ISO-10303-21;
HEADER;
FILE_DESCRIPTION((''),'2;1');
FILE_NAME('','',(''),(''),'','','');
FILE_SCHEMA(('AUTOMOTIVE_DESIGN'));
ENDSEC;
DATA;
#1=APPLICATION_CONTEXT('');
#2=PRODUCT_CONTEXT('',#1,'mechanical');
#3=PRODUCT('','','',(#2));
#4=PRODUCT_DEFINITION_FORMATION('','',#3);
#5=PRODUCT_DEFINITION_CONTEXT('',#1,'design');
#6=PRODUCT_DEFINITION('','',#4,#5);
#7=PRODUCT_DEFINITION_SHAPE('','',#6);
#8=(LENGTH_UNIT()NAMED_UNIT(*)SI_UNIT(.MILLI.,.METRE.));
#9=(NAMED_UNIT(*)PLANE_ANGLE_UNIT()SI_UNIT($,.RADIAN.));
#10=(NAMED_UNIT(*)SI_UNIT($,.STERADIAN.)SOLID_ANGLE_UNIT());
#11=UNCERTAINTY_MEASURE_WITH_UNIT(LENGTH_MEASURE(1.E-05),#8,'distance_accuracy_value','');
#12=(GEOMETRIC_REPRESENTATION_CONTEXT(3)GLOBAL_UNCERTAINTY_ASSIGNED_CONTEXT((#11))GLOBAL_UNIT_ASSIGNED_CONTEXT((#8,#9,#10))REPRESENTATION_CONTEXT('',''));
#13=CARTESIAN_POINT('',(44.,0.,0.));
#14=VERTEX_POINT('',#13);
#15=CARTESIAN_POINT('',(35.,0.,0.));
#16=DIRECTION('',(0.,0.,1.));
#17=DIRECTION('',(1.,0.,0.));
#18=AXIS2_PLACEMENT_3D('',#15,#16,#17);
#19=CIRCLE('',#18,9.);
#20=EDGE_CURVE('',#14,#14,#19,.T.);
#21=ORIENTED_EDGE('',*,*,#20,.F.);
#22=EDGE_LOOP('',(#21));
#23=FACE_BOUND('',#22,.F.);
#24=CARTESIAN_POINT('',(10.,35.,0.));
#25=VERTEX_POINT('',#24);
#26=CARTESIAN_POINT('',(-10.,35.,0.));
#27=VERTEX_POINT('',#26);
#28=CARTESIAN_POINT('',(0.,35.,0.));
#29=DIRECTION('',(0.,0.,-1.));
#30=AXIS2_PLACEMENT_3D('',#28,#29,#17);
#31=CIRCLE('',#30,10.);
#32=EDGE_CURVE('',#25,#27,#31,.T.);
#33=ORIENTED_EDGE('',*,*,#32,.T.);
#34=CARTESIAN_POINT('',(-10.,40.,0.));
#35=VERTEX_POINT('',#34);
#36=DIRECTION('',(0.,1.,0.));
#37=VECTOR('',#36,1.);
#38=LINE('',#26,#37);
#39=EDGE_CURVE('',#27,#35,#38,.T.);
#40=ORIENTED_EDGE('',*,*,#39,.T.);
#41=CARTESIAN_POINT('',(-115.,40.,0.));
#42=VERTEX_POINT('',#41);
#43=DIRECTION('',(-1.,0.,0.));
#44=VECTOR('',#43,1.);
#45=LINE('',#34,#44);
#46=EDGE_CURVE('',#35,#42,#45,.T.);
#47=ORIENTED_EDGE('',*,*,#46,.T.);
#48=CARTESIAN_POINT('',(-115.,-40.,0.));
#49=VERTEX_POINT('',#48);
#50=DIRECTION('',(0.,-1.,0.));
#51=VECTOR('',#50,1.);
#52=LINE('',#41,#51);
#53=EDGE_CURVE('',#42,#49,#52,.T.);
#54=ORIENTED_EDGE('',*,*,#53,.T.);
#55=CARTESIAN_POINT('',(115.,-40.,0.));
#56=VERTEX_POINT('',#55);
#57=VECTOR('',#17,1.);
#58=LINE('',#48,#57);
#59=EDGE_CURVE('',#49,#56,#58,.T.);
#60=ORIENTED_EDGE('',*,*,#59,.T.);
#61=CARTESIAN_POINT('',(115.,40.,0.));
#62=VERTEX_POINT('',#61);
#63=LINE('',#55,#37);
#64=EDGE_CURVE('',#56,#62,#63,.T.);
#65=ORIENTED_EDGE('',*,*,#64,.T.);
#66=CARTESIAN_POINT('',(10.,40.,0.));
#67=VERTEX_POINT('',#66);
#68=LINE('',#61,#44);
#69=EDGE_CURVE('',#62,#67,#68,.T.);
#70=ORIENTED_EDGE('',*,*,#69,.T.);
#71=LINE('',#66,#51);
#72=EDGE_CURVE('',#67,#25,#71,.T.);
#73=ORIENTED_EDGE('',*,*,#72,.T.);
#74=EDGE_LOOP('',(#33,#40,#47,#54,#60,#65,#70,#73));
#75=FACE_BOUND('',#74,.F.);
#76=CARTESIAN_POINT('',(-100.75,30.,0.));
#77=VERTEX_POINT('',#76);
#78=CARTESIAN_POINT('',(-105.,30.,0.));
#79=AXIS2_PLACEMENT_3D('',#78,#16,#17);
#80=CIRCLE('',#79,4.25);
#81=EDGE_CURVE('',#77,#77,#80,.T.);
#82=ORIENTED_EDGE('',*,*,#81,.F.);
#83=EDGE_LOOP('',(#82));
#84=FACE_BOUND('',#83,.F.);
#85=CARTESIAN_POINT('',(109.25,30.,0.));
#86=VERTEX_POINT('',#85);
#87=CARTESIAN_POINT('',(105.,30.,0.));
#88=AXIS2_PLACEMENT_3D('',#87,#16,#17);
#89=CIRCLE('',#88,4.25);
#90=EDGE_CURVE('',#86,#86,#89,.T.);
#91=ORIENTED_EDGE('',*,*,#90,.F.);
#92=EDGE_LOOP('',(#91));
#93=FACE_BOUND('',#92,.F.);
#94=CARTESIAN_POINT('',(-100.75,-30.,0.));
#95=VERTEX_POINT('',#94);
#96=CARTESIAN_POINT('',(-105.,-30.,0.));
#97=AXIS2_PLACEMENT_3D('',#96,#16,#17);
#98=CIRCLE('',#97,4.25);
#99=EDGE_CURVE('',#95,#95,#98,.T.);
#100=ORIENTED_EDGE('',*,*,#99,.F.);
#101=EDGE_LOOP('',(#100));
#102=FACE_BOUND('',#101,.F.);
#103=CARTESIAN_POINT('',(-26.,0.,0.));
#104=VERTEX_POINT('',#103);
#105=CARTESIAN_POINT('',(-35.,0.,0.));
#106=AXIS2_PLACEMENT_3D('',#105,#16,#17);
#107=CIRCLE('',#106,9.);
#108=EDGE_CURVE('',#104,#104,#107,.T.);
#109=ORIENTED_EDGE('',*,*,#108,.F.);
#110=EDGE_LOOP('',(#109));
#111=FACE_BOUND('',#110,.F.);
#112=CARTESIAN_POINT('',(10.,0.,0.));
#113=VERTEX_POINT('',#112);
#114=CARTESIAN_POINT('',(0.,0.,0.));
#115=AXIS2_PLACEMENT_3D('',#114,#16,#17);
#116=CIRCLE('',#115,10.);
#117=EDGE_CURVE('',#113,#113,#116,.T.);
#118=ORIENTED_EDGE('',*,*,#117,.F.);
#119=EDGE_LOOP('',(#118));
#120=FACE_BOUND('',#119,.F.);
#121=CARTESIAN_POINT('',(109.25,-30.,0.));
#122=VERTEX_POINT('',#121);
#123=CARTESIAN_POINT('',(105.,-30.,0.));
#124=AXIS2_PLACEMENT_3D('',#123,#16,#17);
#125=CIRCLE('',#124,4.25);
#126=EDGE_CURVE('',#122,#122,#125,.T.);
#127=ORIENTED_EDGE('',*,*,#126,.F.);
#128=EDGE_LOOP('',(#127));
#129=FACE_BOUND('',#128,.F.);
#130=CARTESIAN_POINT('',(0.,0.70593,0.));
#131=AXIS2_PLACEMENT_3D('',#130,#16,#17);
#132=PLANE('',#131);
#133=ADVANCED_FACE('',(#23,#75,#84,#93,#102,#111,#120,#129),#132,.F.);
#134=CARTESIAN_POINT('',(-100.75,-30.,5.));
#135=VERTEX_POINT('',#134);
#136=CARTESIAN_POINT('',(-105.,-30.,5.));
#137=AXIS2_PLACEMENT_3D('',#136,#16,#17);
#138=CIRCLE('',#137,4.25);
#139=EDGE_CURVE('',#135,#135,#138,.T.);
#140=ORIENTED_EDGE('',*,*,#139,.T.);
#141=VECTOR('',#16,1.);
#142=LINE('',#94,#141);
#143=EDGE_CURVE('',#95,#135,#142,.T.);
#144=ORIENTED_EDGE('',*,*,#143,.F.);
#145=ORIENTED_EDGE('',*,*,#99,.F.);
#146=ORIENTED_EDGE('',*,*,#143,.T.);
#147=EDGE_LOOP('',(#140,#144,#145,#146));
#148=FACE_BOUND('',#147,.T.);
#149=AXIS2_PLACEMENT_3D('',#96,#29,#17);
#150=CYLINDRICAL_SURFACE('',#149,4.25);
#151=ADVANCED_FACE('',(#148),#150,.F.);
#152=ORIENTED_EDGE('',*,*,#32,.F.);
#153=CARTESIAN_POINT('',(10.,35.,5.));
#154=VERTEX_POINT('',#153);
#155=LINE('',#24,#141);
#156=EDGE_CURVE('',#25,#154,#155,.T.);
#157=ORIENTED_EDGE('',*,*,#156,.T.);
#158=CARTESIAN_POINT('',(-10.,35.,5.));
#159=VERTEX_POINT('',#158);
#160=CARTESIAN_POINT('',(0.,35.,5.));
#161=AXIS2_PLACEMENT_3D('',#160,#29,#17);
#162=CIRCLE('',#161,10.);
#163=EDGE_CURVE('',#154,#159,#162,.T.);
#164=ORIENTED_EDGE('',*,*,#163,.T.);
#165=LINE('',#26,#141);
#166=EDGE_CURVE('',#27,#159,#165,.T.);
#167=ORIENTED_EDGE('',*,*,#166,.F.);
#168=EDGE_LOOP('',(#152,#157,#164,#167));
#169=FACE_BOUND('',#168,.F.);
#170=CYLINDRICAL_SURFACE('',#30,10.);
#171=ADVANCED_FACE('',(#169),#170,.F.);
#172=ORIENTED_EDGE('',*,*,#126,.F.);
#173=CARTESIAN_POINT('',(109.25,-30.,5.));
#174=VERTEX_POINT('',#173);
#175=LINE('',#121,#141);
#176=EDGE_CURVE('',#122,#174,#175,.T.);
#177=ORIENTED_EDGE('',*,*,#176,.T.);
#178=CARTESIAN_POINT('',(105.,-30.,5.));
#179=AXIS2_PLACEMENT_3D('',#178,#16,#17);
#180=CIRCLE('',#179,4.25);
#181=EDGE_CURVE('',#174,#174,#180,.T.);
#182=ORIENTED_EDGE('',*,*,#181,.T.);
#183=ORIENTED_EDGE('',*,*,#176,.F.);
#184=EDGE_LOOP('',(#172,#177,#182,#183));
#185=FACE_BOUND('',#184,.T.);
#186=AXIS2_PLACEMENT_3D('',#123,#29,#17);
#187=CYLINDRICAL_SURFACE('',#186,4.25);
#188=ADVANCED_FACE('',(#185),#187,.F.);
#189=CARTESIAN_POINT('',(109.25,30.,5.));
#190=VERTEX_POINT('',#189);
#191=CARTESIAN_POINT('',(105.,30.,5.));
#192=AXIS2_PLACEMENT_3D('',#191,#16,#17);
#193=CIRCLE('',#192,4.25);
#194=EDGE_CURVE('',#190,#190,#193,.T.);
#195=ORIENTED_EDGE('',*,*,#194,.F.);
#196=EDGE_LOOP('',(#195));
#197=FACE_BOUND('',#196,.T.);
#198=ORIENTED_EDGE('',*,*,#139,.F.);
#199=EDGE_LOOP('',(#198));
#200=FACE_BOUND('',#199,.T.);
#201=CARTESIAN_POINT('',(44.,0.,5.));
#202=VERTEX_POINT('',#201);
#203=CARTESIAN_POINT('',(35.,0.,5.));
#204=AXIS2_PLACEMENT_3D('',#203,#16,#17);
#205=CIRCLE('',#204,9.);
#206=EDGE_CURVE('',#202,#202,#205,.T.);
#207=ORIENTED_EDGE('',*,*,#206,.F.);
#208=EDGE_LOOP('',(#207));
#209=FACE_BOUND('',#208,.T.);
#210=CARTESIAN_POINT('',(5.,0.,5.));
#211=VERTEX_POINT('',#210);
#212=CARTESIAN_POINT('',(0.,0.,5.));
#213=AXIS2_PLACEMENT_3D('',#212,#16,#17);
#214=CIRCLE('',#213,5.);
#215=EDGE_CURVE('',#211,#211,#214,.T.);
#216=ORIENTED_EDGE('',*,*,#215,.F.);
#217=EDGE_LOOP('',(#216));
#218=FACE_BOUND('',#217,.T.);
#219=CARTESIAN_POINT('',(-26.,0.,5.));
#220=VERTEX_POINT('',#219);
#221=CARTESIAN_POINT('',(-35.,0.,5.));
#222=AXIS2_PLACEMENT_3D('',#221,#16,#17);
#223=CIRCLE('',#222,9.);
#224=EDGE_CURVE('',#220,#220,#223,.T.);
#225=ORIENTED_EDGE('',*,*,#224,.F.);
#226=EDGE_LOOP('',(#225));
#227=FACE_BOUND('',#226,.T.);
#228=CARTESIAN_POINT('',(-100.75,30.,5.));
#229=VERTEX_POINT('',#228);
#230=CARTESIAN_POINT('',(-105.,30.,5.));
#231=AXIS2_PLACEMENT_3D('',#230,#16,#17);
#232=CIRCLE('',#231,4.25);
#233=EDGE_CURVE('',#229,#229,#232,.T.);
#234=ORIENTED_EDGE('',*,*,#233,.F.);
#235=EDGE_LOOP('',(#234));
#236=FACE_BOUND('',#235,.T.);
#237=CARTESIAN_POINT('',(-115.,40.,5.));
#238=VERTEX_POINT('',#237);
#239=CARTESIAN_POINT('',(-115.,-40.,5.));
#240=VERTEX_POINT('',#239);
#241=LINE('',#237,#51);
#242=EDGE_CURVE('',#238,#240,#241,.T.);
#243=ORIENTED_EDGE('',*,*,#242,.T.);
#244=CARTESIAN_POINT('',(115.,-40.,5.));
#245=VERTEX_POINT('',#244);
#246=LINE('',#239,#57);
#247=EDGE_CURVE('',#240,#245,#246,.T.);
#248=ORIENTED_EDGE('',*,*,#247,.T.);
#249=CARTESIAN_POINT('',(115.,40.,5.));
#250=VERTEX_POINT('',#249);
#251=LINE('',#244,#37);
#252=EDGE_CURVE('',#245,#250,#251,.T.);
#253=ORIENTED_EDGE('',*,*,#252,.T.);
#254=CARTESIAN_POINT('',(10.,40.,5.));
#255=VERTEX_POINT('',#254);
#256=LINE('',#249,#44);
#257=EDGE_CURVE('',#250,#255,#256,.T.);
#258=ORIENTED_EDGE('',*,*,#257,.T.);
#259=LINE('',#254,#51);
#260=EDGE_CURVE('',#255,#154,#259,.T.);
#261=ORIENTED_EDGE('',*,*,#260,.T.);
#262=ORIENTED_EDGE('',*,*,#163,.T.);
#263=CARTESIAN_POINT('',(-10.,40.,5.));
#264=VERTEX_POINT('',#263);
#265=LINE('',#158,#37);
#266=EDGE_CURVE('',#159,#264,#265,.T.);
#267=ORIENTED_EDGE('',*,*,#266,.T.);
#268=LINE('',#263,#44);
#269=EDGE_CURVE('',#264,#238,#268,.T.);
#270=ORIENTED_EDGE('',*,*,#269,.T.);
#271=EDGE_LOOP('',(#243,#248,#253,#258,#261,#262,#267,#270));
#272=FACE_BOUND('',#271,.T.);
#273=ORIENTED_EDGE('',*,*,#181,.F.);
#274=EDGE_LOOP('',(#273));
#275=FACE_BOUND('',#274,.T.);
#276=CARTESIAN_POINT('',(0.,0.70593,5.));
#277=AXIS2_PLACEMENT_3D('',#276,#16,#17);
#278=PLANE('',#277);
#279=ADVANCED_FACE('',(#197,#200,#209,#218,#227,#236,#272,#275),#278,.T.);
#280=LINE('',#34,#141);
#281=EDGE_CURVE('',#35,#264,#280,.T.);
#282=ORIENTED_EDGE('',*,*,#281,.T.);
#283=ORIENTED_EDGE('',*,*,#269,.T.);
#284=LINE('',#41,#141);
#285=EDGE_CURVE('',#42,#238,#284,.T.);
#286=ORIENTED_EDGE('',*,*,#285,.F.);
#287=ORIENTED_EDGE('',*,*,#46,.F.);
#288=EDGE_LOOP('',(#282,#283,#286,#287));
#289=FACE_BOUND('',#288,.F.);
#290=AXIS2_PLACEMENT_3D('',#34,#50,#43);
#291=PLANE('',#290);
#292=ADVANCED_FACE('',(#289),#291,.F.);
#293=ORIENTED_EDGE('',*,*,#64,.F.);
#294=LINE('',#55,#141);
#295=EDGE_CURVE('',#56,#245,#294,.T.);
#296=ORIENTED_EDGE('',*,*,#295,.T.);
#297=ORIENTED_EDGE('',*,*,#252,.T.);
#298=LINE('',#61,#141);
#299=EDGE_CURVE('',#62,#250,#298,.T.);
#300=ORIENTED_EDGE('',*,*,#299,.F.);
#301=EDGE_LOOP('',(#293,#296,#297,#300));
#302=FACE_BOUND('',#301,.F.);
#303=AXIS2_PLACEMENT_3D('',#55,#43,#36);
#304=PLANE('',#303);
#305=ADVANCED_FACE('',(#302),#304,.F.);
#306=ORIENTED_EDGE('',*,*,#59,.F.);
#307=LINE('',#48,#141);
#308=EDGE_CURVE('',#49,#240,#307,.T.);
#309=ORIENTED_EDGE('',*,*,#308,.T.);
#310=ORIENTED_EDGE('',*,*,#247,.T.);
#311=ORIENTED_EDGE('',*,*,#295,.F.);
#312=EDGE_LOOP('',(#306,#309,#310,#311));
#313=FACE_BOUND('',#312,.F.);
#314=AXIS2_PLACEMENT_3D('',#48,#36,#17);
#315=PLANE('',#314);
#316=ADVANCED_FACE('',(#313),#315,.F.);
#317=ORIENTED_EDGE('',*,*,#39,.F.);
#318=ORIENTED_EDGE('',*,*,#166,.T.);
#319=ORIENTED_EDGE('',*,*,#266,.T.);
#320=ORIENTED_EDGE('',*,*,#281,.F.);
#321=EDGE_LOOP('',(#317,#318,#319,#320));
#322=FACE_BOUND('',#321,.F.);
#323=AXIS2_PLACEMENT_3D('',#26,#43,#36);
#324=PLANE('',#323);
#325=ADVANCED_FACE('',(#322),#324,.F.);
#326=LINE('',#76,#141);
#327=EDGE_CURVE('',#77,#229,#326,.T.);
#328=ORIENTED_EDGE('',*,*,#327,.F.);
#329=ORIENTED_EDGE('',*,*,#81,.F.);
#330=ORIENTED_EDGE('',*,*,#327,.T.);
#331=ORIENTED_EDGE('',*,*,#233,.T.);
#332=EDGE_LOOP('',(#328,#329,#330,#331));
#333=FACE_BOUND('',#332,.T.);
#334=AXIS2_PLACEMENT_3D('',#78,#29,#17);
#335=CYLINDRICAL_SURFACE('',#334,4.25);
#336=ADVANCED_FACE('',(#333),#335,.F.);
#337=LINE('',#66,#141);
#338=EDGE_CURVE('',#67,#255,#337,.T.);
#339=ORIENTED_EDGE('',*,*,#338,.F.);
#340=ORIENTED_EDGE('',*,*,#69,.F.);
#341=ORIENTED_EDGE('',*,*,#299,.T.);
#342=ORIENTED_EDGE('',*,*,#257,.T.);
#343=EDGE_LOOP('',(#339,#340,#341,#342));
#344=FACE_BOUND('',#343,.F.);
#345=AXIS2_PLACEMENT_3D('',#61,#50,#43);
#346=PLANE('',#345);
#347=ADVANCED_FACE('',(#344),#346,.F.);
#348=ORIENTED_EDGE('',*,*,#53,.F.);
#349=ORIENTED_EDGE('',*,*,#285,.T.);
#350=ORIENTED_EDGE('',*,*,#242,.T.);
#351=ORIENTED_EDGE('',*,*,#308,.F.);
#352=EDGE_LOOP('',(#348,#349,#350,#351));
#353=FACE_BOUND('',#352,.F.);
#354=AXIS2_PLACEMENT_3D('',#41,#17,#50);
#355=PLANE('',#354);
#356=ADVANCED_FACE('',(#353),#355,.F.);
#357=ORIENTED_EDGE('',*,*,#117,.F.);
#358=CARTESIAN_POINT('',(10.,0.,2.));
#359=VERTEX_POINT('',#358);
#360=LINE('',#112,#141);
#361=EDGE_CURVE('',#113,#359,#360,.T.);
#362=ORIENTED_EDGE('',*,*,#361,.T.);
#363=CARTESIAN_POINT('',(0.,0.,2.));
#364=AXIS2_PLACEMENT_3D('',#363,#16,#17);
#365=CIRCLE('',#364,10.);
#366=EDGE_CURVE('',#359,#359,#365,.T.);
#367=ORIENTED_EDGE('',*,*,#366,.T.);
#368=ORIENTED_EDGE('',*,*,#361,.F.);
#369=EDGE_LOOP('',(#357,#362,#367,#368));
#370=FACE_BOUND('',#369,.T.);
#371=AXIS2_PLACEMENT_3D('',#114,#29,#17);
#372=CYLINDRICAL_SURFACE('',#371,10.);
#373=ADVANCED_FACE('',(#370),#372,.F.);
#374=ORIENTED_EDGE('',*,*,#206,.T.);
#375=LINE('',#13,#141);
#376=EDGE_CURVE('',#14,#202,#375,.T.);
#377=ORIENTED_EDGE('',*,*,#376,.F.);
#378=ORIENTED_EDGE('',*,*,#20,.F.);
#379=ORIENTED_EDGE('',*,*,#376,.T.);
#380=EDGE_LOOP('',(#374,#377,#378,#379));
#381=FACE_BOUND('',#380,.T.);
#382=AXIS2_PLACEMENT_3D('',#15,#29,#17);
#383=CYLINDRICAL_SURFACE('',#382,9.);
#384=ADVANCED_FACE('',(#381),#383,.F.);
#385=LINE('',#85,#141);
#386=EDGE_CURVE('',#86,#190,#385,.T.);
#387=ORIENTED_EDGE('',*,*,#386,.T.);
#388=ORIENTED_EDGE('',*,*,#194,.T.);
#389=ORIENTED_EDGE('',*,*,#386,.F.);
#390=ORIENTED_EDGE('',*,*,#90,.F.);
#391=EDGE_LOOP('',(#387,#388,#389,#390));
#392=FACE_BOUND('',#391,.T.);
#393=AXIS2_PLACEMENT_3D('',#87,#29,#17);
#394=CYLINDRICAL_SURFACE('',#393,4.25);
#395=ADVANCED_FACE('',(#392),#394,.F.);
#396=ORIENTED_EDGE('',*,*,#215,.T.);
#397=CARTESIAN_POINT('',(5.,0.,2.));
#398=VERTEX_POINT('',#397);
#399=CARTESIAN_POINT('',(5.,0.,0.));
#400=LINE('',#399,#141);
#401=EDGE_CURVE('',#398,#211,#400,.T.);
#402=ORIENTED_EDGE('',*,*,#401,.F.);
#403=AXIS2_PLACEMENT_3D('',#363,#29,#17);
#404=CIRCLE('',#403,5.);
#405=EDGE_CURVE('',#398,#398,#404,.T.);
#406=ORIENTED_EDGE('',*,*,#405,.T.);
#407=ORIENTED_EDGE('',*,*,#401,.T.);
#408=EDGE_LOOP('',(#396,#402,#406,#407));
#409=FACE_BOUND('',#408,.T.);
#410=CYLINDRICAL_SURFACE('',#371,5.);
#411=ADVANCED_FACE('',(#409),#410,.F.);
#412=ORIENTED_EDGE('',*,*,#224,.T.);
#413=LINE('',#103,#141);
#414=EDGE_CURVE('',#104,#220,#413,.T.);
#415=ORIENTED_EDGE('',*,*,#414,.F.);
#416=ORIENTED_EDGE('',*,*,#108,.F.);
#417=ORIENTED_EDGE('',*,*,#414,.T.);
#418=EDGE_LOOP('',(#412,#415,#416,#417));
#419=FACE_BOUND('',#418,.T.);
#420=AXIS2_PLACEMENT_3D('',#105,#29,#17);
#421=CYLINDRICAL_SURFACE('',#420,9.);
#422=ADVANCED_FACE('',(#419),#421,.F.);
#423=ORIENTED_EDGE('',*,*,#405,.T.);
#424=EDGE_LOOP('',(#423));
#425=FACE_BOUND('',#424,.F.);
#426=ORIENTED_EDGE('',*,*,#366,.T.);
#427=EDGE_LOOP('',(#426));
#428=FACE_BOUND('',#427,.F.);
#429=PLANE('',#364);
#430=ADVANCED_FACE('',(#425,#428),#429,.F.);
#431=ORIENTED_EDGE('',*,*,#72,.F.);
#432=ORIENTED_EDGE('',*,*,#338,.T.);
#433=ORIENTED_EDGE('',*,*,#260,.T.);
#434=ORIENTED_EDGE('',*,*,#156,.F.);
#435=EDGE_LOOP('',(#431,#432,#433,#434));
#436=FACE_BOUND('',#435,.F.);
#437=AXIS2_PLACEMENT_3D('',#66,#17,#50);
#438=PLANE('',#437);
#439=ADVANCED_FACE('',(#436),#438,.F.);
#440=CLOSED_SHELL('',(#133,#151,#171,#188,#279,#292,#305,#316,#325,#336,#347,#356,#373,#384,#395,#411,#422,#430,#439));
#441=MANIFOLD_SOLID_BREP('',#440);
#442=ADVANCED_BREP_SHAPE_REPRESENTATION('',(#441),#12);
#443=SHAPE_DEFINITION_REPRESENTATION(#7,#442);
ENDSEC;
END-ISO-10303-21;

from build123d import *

# Parameters (mm, degrees)
F0_R     = 4.25
F0_R_2   = 9
F0_R_3   = 5
F1_DEPTH = 5
F2_R     = 10
F3_DEPTH = 2


with BuildPart() as f1:
    # F0 (on Top) → F1 (new body)
    with BuildSketch(Plane.XY):
        with BuildLine():
            Line((115, -40), (115, 40))
            Line((115, 40), (10, 40))
            Line((10, 40), (10, 35))
            ThreePointArc((10, 35), (0, 25), (-10, 35))
            Line((-10, 35), (-10, 40))
            Line((-10, 40), (-115, 40))
            Line((-115, 40), (-115, -40))
            Line((-115, -40), (115, -40))
        make_face()
        with Locations((-105, -30)):
            Circle(F0_R, mode=Mode.SUBTRACT)
        with Locations((105, -30)):
            Circle(F0_R, mode=Mode.SUBTRACT)
        with Locations((-35, 0)):
            Circle(F0_R_2, mode=Mode.SUBTRACT)
        with Locations((-105, 30)):
            Circle(F0_R, mode=Mode.SUBTRACT)
        Circle(F0_R_3, mode=Mode.SUBTRACT)
        with Locations((35, 0)):
            Circle(F0_R_2, mode=Mode.SUBTRACT)
        with Locations((105, 30)):
            Circle(F0_R, mode=Mode.SUBTRACT)
    extrude(amount=F1_DEPTH)

    # F2 (on face) → F3 (cut)
    with BuildSketch(Plane.XY):
        Circle(F2_R)
    extrude(amount=F3_DEPTH, mode=Mode.SUBTRACT)


solid = f1.part
